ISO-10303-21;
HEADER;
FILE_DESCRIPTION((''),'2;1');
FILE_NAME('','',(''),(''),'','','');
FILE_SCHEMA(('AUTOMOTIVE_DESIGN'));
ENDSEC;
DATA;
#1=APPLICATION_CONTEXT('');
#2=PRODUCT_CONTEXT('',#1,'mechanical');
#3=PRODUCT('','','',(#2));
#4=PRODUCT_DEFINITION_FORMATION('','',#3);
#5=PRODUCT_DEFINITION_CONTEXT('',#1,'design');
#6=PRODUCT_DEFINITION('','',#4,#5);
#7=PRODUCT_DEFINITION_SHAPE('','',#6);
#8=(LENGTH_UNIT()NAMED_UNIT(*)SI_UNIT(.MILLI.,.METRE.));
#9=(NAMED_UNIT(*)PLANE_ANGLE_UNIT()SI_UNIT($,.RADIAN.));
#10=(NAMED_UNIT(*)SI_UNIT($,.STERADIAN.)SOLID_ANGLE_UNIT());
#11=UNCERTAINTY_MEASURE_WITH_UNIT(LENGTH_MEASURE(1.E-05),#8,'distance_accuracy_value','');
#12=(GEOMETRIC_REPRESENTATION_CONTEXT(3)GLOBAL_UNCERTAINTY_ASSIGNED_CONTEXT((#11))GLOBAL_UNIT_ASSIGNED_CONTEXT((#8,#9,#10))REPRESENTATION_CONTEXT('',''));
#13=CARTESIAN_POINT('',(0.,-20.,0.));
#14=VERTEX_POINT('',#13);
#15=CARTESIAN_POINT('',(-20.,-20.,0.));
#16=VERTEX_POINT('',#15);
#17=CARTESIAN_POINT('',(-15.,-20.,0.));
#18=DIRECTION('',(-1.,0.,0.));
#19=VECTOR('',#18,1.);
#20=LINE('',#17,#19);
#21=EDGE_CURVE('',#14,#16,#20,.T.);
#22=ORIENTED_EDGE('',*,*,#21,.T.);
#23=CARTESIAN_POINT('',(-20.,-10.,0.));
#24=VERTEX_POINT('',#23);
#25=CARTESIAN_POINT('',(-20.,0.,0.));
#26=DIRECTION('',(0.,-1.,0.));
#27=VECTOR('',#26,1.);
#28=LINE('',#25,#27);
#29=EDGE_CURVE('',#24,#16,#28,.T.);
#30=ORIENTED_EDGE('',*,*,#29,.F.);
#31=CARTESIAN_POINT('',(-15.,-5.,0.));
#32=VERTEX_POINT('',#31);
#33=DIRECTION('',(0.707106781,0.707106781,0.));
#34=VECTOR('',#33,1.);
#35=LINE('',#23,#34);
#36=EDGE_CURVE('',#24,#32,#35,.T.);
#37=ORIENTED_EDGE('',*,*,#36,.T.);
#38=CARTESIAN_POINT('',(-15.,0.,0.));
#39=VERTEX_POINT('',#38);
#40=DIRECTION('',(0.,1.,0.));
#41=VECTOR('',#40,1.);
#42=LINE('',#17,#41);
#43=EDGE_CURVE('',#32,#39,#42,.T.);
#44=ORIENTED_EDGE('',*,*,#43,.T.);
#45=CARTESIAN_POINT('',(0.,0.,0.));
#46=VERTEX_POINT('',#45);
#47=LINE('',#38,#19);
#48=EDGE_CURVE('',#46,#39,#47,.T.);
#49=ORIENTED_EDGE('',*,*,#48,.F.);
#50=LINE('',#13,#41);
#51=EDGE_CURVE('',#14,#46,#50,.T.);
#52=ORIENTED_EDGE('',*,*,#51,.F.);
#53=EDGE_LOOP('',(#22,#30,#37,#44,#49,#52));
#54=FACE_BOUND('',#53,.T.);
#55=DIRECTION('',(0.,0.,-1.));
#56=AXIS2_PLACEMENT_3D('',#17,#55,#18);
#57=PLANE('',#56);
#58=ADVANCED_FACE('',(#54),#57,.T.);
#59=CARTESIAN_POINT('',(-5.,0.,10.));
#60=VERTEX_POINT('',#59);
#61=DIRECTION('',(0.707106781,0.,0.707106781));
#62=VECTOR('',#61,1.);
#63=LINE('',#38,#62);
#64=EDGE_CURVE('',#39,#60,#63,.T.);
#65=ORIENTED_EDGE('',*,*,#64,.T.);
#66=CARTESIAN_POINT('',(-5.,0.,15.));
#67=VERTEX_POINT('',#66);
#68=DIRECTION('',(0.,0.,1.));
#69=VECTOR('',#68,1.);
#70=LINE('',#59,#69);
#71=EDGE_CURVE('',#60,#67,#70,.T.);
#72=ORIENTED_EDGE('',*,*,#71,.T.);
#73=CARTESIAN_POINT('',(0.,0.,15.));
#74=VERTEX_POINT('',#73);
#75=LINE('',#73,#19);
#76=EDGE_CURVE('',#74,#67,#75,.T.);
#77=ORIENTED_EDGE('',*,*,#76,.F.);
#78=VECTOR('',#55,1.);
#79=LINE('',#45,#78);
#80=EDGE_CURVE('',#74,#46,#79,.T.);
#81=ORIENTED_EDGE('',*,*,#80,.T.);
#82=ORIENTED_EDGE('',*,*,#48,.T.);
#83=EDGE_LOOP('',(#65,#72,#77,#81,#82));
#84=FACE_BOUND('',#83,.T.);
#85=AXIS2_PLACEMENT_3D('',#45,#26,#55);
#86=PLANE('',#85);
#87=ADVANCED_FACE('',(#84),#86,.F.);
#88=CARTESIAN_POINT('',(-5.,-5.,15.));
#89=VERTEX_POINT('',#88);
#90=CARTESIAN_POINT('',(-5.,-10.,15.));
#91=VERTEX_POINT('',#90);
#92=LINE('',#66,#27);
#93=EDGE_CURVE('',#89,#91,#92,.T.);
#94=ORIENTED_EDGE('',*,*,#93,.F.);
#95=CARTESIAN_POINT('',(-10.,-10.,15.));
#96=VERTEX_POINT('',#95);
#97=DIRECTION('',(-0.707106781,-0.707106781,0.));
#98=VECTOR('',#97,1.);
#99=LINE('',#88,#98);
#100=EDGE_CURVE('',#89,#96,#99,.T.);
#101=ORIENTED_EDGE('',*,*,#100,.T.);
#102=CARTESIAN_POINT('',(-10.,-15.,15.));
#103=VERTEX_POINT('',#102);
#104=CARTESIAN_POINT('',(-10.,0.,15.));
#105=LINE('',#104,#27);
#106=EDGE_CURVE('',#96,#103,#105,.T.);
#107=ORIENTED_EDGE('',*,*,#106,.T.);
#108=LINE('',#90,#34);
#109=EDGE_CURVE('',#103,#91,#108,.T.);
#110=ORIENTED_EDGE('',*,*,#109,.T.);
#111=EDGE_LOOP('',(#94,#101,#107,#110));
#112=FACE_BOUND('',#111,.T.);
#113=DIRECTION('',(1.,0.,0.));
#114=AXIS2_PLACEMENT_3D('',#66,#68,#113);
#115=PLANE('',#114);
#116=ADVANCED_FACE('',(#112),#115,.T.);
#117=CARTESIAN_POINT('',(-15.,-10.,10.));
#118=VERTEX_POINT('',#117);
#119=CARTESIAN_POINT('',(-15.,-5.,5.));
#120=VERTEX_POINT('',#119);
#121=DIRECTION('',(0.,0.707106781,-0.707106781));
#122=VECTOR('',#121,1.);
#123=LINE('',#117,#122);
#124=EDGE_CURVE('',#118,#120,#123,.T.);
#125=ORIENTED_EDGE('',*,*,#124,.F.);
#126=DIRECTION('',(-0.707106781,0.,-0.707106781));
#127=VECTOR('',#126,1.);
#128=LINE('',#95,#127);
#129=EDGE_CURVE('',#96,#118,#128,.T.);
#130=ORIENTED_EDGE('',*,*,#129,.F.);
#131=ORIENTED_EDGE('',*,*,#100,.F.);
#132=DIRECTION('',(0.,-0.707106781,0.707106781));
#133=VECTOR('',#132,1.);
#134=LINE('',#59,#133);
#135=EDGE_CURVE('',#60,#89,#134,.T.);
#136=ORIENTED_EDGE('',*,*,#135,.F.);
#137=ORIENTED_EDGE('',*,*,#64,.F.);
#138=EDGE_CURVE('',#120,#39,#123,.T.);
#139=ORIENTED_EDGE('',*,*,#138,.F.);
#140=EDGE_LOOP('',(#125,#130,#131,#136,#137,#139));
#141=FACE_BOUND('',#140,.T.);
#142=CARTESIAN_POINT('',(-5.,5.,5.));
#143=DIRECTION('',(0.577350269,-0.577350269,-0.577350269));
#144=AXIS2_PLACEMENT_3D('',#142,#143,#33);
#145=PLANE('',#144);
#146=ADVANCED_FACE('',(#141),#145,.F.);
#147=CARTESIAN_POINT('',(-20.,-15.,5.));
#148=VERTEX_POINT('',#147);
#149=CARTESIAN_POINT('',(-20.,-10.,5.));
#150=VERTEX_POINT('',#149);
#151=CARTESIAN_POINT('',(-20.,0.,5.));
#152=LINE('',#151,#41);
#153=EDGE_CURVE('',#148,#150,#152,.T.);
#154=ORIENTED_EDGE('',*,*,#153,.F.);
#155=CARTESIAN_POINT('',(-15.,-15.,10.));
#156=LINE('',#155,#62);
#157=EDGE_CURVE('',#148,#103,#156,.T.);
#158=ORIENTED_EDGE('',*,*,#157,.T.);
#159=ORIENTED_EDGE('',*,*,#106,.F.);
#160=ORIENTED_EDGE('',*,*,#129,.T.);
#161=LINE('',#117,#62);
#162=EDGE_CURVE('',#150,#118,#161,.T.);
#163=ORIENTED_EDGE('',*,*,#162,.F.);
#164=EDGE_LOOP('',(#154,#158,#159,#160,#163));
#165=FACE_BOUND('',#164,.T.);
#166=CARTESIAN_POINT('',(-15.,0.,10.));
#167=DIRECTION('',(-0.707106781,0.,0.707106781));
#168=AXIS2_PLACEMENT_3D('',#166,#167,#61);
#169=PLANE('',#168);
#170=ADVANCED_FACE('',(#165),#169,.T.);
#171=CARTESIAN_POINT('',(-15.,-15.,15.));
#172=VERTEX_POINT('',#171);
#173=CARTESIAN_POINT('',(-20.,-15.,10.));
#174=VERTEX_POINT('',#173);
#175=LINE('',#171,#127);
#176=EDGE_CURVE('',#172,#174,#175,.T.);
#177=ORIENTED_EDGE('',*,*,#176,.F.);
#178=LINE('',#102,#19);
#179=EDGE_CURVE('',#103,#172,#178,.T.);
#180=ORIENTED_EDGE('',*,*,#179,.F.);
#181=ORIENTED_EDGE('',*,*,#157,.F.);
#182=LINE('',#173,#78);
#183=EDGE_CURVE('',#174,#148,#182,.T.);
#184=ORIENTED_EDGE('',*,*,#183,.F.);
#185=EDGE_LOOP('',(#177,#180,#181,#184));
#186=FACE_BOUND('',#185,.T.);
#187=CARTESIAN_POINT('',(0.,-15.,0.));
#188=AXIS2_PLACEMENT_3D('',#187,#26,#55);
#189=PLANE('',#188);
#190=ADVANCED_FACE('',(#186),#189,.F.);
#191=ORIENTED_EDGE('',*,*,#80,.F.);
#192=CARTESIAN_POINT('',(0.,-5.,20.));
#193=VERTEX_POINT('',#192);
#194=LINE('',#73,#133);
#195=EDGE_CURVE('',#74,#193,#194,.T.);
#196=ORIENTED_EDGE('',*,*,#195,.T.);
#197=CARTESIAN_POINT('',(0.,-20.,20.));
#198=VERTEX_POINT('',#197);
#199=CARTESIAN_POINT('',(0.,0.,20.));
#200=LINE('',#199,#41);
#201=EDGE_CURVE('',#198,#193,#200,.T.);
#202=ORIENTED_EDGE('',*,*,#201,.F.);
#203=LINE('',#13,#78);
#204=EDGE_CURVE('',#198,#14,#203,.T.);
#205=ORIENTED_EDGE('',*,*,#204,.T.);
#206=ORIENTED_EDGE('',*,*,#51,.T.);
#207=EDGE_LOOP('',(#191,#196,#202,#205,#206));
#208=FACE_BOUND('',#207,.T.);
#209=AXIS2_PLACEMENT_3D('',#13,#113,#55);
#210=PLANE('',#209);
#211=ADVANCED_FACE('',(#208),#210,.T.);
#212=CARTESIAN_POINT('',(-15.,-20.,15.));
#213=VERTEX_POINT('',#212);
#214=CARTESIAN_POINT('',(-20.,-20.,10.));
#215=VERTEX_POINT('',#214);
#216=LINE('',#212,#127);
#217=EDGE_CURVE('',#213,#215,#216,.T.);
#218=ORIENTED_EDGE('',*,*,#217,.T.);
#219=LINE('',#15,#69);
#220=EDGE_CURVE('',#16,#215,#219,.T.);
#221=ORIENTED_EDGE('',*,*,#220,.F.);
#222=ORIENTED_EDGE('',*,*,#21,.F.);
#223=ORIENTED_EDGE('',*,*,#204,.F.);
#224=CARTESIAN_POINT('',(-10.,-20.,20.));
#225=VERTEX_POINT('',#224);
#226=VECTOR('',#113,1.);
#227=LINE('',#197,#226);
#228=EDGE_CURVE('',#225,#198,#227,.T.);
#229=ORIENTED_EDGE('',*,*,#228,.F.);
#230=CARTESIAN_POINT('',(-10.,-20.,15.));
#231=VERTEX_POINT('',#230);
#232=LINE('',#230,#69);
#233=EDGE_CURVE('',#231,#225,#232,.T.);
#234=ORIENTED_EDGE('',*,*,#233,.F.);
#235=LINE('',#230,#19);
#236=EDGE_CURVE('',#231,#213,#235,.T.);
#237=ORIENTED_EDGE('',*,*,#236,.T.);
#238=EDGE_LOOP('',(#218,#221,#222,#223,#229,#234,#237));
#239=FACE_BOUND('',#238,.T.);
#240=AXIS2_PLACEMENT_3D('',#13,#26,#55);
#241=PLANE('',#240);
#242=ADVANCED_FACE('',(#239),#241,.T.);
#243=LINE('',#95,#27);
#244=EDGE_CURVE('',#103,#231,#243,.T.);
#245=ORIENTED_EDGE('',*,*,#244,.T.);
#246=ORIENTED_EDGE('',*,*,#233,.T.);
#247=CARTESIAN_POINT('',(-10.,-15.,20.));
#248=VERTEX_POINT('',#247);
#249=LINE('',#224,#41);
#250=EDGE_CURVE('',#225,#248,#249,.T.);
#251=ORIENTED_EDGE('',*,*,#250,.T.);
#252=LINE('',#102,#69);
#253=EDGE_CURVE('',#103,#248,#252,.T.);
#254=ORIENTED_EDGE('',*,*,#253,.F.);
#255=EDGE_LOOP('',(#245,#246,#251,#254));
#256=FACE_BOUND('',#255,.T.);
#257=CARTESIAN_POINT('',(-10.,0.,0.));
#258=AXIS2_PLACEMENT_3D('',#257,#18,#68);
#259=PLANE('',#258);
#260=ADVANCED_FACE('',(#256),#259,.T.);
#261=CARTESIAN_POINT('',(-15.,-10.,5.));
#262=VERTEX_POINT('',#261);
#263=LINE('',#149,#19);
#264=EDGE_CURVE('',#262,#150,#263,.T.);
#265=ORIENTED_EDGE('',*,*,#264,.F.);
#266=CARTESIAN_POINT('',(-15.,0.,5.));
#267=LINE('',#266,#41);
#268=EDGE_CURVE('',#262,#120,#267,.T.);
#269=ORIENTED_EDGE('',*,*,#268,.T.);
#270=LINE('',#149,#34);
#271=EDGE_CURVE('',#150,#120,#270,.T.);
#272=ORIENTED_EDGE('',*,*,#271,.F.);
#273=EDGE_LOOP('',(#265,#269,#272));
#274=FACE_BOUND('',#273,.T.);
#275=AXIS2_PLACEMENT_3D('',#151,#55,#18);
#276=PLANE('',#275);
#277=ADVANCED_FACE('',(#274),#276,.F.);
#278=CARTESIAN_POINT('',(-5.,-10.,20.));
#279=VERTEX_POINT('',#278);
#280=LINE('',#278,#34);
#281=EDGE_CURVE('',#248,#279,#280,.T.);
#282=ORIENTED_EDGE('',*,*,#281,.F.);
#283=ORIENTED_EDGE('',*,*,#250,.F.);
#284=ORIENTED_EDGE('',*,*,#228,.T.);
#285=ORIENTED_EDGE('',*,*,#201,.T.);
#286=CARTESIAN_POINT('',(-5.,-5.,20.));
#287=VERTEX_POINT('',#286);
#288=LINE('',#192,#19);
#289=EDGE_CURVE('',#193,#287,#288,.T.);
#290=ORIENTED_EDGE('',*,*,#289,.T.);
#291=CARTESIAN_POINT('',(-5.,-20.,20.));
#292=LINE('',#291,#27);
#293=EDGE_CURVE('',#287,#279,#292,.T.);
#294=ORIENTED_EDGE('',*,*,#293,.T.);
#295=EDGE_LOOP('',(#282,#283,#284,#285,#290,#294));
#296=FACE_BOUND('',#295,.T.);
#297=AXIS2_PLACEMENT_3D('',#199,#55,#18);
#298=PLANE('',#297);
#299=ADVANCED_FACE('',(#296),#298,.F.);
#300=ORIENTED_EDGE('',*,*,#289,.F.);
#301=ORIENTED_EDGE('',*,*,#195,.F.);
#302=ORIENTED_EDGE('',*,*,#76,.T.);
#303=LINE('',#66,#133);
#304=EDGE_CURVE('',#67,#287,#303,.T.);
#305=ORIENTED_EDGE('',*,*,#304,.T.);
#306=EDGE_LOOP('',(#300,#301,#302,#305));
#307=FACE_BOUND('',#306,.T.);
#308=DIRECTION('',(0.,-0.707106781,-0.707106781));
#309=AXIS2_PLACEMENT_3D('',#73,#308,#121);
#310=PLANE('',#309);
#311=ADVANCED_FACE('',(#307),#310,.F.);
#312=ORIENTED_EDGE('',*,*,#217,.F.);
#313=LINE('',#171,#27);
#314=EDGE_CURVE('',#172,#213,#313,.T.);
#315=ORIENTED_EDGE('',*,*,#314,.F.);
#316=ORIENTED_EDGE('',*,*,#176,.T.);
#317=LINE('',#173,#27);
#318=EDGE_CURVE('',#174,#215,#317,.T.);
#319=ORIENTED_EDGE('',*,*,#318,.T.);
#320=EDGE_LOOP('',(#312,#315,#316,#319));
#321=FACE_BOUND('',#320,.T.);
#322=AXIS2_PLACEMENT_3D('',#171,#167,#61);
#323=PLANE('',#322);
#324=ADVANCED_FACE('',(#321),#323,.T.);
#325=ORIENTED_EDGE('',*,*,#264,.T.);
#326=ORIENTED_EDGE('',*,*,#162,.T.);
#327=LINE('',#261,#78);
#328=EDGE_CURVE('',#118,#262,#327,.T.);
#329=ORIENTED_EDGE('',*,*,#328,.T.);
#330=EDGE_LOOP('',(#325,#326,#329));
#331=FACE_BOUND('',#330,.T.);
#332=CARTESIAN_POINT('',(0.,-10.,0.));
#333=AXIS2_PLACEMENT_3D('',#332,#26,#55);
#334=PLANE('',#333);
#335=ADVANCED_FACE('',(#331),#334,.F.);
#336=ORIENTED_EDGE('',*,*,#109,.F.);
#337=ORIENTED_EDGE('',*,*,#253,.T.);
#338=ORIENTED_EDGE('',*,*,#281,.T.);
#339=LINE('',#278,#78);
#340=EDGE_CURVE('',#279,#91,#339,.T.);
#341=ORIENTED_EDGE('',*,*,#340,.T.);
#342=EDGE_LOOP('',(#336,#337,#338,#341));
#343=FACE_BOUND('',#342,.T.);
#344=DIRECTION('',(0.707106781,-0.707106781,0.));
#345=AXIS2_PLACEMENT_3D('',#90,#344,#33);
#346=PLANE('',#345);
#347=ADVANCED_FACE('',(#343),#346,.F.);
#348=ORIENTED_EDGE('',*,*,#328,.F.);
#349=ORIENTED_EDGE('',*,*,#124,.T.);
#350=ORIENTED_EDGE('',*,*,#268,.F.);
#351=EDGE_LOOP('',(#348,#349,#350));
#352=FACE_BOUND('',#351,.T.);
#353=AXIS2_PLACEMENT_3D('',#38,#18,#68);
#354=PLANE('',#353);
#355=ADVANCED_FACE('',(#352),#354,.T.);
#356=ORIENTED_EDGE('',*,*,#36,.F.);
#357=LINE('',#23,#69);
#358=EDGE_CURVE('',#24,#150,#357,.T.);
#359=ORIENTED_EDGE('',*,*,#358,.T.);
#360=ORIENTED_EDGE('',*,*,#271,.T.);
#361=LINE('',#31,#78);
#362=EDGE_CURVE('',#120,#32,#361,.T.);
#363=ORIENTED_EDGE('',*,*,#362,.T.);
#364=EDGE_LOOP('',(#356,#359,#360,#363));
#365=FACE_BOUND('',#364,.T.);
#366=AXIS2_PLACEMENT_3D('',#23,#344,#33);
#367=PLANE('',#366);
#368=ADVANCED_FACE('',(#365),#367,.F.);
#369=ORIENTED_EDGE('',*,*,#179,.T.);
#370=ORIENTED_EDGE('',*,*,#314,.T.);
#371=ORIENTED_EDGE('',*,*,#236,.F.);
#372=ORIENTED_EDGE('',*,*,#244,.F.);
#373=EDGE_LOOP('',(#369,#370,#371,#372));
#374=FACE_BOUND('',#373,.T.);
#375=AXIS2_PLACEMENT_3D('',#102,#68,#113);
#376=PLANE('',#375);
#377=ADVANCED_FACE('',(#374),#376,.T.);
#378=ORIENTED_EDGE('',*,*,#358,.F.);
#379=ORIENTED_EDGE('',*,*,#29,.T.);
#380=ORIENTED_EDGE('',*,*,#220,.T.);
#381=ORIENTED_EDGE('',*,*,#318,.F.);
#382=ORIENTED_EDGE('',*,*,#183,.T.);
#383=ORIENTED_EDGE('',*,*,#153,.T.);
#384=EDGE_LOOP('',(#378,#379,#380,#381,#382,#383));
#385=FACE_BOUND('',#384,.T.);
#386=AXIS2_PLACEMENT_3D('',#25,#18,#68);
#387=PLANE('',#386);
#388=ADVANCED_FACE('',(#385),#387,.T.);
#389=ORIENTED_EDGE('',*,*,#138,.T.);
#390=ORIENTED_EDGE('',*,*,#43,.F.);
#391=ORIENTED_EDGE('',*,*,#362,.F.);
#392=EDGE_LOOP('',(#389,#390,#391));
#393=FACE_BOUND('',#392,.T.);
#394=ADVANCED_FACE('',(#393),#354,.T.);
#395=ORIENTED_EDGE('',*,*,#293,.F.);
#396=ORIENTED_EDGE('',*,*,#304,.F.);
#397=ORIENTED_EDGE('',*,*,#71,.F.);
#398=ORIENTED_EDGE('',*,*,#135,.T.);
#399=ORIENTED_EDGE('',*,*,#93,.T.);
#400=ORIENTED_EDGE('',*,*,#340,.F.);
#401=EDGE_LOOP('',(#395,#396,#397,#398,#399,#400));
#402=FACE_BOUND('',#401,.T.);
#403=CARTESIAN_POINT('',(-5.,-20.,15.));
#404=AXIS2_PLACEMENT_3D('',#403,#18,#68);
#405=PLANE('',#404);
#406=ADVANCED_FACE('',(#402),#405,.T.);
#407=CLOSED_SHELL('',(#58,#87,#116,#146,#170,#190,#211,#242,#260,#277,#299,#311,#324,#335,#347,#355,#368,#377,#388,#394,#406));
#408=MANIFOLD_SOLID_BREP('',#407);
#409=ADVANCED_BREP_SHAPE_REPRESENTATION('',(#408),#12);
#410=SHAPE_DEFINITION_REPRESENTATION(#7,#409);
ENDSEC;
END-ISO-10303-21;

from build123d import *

# Parameters (mm, degrees)
BOSS_EXTRUDE1_DEPTH  = 20
SKETCH2_W            = 5
SKETCH2_H            = 20
BOSS_EXTRUDE2_DEPTH  = 5
CUT_EXTRUDE1_DEPTH   = 5
SKETCH4_W            = 5
SKETCH4_H            = 10
BOSS_EXTRUDE3_DEPTH  = 5
CUT_EXTRUDE2_DEPTH   = 5
BOSS_EXTRUDE31_DEPTH = 20
CUT_EXTRUDE11_DEPTH  = 25
SKETCH24_W           = 5
SKETCH24_H           = 15
BOSS_EXTRUDE32_DEPTH = 5
CUT_EXTRUDE12_DEPTH  = 5
BOSS_EXTRUDE33_DEPTH = 5
BOSS_EXTRUDE34_DEPTH = 5


with BuildPart() as part:
    # Sketch1 → Boss-Extrude1 (new body)
    with BuildSketch(Plane(origin=(0, 0, 0), x_dir=(1, 0, 0), z_dir=(0, 1, 0))):
        Polygon((-15, 0), (0, 0), (0, -15), (-5, -15), (-5, -10), align=None)
    extrude(amount=-BOSS_EXTRUDE1_DEPTH)

    # Sketch2 → Boss-Extrude2 (add)
    with BuildSketch(Plane.XY.offset(15)):
        with Locations((-2.5, -10)):
            Rectangle(SKETCH2_W, SKETCH2_H)
    extrude(amount=BOSS_EXTRUDE2_DEPTH)

    # Sketch3 → Cut-Extrude1 (cut)
    with BuildSketch(Plane.ZY.offset(5)):
        Polygon((15, 0), (20, -5), (20, 0), align=None)
    extrude(amount=-CUT_EXTRUDE1_DEPTH, mode=Mode.SUBTRACT)

    # Sketch4 → Boss-Extrude3 (add)
    with BuildSketch(Plane.ZY.offset(5)):
        with Locations((17.5, -15)):
            Rectangle(SKETCH4_W, SKETCH4_H)
    extrude(amount=BOSS_EXTRUDE3_DEPTH)

    # Sketch5 → Cut-Extrude2 (cut)
    with BuildSketch(Plane.XY.offset(20)):
        Polygon((-5, -10), (-10, -15), (-10, -10), align=None)
    extrude(amount=-CUT_EXTRUDE2_DEPTH, mode=Mode.SUBTRACT)

    # Sketch14 → Boss-Extrude31 (add)
    with BuildSketch(Plane(origin=(0, -20, 0), x_dir=(-1, 0, 0), z_dir=(0, -1, 0))):
        Polygon((15, 0), (5, -10), (5, -15), (10, -15), (15, -10), align=None)
    extrude(amount=-BOSS_EXTRUDE31_DEPTH)

    # 3DSketch7 → Cut-Extrude11 (cut, along a direction that is not the sketch's normal)
    with BuildSketch(Plane(origin=(-15, 0, 0), x_dir=(0.5345224838248488, -0.2672612419124244, 0.8017837257372732), z_dir=(0.5773502691896258, -0.5773502691896258, -0.5773502691896258))):
        Polygon((0, 0), (13.363062096, -4.629100499), (18.708286934, 0), (17.371980724, 6.943650748), (10.690449676, 9.258200998), align=None)
    extrude(amount=-CUT_EXTRUDE11_DEPTH, dir=(0, 0, -1), mode=Mode.SUBTRACT)

    # Sketch24 → Boss-Extrude32 (add)
    with BuildSketch(Plane.ZY.offset(15)):
        with Locations((2.5, -12.5)):
            Rectangle(SKETCH24_W, SKETCH24_H)
    extrude(amount=BOSS_EXTRUDE32_DEPTH)

    # Sketch25 → Cut-Extrude12 (cut)
    with BuildSketch(Plane.XY.offset(5)):
        Polygon((-15, -5), (-20, -5), (-20, -10), align=None)
    extrude(amount=-CUT_EXTRUDE12_DEPTH, mode=Mode.SUBTRACT)

    # Sketch26 → Boss-Extrude33 (add)
    with BuildSketch(Plane(origin=(0, -20, 0), x_dir=(-1, 0, 0), z_dir=(0, -1, 0))):
        Polygon((20, -5), (15, -5), (15, -10), (10, -15), (15, -15), (20, -10), align=None)
    extrude(amount=-BOSS_EXTRUDE33_DEPTH)

    # Sketch27 → Boss-Extrude34 (add)
    with BuildSketch(Plane(origin=(0, -15, 0), x_dir=(1, 0, 0), z_dir=(0, 1, 0))):
        Polygon((-20, -5), (-15, -5), (-15, -10), align=None)
    extrude(amount=BOSS_EXTRUDE34_DEPTH)


solid = part.part
